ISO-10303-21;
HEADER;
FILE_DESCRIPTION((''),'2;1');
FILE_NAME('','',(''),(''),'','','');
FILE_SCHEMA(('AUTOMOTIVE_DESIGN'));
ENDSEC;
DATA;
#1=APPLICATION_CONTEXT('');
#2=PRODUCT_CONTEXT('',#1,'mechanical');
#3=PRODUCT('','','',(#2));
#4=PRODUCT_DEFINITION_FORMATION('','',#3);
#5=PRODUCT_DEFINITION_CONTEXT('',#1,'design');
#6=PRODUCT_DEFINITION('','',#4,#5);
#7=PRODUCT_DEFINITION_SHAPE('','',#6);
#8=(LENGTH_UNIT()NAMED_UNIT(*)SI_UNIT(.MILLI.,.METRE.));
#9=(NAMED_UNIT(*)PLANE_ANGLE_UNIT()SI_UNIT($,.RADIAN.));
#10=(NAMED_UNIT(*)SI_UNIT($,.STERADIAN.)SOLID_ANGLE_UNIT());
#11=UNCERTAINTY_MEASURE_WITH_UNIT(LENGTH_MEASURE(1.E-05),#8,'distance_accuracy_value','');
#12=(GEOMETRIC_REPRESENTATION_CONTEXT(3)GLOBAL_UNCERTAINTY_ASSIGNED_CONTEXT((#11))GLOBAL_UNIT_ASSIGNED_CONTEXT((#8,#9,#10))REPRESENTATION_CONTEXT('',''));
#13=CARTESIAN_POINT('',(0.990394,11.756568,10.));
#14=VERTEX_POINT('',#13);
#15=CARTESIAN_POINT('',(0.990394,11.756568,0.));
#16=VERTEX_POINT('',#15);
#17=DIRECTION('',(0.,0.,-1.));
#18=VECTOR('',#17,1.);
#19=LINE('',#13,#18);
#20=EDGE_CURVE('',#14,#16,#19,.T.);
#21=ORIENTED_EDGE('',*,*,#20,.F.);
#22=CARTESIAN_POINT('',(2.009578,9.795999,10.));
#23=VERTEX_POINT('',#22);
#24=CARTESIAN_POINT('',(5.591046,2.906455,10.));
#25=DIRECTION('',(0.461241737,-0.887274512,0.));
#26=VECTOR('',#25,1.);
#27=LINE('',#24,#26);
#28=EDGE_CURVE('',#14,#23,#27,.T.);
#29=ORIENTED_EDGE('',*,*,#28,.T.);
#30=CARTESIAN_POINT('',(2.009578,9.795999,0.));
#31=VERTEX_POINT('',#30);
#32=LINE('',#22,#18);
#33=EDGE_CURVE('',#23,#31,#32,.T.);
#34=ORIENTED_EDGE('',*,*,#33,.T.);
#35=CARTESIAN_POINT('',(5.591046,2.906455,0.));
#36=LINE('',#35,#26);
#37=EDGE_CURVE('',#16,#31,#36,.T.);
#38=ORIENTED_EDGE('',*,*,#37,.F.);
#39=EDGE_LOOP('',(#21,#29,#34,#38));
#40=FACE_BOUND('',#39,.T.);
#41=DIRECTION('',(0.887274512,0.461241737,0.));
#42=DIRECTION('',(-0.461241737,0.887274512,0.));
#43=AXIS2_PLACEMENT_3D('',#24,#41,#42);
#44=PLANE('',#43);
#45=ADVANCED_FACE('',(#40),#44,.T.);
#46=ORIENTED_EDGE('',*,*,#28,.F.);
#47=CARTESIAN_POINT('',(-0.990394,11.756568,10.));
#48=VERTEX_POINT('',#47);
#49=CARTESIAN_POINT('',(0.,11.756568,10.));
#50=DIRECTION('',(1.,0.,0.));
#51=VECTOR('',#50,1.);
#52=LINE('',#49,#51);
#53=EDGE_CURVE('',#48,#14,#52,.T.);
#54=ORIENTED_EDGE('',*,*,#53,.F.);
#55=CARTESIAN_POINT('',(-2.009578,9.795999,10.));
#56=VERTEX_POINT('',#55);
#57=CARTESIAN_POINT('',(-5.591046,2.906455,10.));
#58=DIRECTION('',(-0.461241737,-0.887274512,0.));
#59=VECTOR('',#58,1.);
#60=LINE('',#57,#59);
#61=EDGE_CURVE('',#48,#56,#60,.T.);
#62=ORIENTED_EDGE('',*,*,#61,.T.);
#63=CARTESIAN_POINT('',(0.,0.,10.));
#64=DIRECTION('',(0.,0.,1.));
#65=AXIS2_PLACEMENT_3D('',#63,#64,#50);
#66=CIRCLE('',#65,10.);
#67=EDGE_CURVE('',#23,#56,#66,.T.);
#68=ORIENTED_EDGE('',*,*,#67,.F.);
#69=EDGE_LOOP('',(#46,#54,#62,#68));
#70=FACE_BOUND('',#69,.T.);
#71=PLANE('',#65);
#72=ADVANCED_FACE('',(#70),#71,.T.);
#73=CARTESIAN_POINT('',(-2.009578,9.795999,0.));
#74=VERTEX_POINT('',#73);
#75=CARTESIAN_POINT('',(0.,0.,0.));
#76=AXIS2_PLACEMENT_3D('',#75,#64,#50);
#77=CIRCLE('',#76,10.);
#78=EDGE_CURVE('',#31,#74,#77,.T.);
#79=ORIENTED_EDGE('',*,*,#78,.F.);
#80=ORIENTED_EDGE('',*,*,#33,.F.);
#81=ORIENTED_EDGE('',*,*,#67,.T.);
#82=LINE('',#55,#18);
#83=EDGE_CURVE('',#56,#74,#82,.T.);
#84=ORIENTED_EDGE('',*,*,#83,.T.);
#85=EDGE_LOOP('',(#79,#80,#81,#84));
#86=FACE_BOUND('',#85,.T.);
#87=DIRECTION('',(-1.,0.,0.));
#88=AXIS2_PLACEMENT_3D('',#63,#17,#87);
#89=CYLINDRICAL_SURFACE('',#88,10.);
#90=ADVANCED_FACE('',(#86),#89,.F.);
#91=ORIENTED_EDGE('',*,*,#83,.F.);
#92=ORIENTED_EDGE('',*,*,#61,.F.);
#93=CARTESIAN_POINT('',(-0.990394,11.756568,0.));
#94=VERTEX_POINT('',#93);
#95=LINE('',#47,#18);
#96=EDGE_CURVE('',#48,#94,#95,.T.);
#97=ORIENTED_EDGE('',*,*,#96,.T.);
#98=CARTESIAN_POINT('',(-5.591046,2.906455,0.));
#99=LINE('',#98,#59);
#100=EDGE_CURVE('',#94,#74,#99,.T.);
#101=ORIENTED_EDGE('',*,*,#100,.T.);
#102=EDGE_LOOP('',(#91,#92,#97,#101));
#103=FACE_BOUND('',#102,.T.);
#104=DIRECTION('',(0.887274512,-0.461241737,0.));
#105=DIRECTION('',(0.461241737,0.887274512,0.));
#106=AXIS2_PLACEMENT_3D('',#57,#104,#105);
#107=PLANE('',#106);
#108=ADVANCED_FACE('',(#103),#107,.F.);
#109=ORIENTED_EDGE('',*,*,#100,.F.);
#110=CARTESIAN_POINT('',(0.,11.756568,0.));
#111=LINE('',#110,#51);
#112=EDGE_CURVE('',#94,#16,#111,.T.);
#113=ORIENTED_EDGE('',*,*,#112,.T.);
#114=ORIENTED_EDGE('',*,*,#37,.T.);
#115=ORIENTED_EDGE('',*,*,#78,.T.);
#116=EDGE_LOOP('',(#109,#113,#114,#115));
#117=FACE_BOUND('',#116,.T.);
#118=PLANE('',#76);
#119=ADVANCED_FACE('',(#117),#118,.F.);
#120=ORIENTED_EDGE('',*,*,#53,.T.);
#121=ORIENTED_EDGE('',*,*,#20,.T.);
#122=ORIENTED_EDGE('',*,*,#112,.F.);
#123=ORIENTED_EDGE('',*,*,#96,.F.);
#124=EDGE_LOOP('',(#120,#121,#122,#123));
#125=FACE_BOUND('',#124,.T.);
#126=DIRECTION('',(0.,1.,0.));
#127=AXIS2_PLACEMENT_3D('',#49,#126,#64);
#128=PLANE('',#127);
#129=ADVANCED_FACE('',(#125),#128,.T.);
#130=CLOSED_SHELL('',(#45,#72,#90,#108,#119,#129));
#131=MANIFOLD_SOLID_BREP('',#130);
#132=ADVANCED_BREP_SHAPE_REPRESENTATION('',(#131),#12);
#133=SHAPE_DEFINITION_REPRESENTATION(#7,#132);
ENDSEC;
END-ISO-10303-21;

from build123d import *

# Parameters (mm, degrees)
BOSS_EXTRUDE2_DEPTH = 10


with BuildPart() as part:
    # Sketch1 → Boss-Extrude2 (new body)
    with BuildSketch(Plane.XY):
        with BuildLine():
            Line((0.990394049, 11.756567649), (-0.990394049, 11.756567649))
            Line((-0.990394049, 11.756567649), (-2.009578189, 9.795998954))
            ThreePointArc((-2.009578189, 9.795998954), (0, 10), (2.009578189, 9.795998954))
            Line((2.009578189, 9.795998954), (0.990394049, 11.756567649))
        make_face()
    extrude(amount=BOSS_EXTRUDE2_DEPTH)


solid = part.part
